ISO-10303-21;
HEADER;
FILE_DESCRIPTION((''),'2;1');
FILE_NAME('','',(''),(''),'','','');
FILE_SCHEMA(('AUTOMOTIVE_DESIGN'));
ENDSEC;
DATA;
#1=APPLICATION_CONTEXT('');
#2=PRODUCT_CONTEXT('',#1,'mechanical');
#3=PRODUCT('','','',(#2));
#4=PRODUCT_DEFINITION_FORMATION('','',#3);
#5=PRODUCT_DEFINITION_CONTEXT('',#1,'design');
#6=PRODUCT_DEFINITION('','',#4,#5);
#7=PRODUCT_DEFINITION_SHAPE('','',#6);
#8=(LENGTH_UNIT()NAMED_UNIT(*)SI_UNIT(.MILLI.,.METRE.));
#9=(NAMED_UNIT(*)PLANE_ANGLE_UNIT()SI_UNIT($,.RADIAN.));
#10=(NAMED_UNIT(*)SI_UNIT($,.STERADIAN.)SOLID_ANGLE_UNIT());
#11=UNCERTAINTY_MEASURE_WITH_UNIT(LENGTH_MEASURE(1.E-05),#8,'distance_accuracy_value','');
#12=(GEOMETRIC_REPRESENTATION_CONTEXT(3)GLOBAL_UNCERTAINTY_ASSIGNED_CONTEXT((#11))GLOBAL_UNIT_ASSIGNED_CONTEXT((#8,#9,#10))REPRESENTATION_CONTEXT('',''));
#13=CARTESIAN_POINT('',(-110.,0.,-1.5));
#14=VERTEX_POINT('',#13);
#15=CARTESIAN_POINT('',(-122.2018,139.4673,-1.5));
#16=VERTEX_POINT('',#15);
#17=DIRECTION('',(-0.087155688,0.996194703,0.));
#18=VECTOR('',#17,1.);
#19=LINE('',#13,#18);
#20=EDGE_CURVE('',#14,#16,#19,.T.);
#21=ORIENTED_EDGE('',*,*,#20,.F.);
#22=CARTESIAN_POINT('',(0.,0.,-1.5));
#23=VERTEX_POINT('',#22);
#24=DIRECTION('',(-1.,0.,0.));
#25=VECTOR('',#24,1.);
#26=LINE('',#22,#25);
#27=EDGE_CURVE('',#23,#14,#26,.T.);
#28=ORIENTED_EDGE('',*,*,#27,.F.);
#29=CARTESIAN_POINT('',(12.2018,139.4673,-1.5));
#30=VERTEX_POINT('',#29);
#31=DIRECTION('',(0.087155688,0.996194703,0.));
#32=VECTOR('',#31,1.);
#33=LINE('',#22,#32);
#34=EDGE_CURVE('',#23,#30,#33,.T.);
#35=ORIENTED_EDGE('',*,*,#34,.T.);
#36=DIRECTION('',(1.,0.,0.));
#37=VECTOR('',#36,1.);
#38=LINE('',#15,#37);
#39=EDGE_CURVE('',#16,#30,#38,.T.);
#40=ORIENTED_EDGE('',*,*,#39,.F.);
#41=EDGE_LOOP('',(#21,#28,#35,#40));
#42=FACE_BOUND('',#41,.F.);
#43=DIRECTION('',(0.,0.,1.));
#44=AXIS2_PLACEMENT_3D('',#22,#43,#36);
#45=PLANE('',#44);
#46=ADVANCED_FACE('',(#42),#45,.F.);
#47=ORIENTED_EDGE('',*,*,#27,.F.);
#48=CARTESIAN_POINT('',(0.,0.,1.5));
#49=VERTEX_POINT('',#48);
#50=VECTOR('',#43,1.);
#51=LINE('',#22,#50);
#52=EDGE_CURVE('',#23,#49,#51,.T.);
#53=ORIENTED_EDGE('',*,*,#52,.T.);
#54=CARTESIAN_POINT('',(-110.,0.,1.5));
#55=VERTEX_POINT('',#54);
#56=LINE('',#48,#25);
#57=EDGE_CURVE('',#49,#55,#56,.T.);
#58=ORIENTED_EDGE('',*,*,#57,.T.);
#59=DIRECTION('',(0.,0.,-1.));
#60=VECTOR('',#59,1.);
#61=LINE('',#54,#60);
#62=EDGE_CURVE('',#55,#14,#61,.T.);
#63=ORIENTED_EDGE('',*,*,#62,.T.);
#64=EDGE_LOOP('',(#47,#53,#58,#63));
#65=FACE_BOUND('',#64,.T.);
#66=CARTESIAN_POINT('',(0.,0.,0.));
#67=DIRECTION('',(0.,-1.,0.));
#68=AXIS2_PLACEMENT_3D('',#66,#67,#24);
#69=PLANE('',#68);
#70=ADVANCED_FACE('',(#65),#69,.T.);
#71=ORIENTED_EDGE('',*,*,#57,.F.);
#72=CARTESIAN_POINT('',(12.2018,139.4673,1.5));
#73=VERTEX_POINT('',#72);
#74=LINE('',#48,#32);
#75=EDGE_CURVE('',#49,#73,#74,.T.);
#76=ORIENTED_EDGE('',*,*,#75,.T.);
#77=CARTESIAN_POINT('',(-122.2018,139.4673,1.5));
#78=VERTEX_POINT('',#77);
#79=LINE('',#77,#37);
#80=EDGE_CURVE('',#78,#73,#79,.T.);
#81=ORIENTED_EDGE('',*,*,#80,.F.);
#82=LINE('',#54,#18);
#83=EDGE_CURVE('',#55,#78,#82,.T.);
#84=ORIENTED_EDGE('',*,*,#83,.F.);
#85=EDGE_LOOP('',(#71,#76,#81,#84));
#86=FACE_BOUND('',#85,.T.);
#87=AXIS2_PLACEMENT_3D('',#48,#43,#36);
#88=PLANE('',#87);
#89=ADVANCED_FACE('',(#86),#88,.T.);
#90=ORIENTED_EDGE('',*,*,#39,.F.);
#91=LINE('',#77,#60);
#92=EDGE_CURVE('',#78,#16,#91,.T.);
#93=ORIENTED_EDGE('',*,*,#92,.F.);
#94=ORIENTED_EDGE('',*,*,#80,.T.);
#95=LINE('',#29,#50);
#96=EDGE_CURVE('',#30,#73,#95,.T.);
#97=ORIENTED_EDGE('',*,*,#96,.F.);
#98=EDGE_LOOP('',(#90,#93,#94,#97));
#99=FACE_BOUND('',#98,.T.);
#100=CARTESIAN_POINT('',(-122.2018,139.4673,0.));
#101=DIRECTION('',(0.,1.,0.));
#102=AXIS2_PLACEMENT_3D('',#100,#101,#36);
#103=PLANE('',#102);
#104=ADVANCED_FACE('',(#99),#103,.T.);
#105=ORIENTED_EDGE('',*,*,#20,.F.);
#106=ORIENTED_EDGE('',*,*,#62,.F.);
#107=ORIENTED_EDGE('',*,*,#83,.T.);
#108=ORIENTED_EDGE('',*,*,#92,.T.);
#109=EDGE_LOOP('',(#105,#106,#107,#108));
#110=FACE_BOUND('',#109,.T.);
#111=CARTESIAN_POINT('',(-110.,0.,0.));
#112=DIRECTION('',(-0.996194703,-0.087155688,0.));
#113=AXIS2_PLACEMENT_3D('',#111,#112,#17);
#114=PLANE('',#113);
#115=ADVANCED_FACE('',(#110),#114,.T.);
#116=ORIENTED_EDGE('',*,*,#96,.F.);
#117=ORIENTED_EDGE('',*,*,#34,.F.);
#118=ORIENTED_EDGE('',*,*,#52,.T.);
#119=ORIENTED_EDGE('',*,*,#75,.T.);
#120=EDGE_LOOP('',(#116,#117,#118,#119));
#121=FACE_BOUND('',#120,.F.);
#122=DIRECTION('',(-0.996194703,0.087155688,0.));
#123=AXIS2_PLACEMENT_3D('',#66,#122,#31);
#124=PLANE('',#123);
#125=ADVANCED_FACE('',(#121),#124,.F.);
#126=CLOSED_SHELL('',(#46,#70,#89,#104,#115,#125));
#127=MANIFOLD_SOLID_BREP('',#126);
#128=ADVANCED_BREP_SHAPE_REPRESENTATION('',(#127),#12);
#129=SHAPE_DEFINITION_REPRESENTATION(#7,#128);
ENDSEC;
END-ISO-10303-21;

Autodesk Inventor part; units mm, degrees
sketch "Skizze1" plane through (0, 0, 0) normal (0, 0, 1) x (1, 0, 0)
  line L0 (0, 0) -> (-110, 0)
  line L1 (0, 0) -> (12.2018, 139.4673)
  line L2 (0, 0) -> (140, 0) construction
  line L3 (-110, 0) -> (-122.2018, 139.4673)
  line L4 (-110, 0) -> (30, 0) construction
  line L5 (-122.2018, 139.4673) -> (12.2018, 139.4673)
  dimension "d0" = 110
  dimension "d1" = 140
  dimension "d2" = 85
  dimension "d5" = 140
  dimension "d6" = 95
extrude "Extrusion1" add sketch "Skizze1" along normal mid plane 3
properties part number "trennwand"
